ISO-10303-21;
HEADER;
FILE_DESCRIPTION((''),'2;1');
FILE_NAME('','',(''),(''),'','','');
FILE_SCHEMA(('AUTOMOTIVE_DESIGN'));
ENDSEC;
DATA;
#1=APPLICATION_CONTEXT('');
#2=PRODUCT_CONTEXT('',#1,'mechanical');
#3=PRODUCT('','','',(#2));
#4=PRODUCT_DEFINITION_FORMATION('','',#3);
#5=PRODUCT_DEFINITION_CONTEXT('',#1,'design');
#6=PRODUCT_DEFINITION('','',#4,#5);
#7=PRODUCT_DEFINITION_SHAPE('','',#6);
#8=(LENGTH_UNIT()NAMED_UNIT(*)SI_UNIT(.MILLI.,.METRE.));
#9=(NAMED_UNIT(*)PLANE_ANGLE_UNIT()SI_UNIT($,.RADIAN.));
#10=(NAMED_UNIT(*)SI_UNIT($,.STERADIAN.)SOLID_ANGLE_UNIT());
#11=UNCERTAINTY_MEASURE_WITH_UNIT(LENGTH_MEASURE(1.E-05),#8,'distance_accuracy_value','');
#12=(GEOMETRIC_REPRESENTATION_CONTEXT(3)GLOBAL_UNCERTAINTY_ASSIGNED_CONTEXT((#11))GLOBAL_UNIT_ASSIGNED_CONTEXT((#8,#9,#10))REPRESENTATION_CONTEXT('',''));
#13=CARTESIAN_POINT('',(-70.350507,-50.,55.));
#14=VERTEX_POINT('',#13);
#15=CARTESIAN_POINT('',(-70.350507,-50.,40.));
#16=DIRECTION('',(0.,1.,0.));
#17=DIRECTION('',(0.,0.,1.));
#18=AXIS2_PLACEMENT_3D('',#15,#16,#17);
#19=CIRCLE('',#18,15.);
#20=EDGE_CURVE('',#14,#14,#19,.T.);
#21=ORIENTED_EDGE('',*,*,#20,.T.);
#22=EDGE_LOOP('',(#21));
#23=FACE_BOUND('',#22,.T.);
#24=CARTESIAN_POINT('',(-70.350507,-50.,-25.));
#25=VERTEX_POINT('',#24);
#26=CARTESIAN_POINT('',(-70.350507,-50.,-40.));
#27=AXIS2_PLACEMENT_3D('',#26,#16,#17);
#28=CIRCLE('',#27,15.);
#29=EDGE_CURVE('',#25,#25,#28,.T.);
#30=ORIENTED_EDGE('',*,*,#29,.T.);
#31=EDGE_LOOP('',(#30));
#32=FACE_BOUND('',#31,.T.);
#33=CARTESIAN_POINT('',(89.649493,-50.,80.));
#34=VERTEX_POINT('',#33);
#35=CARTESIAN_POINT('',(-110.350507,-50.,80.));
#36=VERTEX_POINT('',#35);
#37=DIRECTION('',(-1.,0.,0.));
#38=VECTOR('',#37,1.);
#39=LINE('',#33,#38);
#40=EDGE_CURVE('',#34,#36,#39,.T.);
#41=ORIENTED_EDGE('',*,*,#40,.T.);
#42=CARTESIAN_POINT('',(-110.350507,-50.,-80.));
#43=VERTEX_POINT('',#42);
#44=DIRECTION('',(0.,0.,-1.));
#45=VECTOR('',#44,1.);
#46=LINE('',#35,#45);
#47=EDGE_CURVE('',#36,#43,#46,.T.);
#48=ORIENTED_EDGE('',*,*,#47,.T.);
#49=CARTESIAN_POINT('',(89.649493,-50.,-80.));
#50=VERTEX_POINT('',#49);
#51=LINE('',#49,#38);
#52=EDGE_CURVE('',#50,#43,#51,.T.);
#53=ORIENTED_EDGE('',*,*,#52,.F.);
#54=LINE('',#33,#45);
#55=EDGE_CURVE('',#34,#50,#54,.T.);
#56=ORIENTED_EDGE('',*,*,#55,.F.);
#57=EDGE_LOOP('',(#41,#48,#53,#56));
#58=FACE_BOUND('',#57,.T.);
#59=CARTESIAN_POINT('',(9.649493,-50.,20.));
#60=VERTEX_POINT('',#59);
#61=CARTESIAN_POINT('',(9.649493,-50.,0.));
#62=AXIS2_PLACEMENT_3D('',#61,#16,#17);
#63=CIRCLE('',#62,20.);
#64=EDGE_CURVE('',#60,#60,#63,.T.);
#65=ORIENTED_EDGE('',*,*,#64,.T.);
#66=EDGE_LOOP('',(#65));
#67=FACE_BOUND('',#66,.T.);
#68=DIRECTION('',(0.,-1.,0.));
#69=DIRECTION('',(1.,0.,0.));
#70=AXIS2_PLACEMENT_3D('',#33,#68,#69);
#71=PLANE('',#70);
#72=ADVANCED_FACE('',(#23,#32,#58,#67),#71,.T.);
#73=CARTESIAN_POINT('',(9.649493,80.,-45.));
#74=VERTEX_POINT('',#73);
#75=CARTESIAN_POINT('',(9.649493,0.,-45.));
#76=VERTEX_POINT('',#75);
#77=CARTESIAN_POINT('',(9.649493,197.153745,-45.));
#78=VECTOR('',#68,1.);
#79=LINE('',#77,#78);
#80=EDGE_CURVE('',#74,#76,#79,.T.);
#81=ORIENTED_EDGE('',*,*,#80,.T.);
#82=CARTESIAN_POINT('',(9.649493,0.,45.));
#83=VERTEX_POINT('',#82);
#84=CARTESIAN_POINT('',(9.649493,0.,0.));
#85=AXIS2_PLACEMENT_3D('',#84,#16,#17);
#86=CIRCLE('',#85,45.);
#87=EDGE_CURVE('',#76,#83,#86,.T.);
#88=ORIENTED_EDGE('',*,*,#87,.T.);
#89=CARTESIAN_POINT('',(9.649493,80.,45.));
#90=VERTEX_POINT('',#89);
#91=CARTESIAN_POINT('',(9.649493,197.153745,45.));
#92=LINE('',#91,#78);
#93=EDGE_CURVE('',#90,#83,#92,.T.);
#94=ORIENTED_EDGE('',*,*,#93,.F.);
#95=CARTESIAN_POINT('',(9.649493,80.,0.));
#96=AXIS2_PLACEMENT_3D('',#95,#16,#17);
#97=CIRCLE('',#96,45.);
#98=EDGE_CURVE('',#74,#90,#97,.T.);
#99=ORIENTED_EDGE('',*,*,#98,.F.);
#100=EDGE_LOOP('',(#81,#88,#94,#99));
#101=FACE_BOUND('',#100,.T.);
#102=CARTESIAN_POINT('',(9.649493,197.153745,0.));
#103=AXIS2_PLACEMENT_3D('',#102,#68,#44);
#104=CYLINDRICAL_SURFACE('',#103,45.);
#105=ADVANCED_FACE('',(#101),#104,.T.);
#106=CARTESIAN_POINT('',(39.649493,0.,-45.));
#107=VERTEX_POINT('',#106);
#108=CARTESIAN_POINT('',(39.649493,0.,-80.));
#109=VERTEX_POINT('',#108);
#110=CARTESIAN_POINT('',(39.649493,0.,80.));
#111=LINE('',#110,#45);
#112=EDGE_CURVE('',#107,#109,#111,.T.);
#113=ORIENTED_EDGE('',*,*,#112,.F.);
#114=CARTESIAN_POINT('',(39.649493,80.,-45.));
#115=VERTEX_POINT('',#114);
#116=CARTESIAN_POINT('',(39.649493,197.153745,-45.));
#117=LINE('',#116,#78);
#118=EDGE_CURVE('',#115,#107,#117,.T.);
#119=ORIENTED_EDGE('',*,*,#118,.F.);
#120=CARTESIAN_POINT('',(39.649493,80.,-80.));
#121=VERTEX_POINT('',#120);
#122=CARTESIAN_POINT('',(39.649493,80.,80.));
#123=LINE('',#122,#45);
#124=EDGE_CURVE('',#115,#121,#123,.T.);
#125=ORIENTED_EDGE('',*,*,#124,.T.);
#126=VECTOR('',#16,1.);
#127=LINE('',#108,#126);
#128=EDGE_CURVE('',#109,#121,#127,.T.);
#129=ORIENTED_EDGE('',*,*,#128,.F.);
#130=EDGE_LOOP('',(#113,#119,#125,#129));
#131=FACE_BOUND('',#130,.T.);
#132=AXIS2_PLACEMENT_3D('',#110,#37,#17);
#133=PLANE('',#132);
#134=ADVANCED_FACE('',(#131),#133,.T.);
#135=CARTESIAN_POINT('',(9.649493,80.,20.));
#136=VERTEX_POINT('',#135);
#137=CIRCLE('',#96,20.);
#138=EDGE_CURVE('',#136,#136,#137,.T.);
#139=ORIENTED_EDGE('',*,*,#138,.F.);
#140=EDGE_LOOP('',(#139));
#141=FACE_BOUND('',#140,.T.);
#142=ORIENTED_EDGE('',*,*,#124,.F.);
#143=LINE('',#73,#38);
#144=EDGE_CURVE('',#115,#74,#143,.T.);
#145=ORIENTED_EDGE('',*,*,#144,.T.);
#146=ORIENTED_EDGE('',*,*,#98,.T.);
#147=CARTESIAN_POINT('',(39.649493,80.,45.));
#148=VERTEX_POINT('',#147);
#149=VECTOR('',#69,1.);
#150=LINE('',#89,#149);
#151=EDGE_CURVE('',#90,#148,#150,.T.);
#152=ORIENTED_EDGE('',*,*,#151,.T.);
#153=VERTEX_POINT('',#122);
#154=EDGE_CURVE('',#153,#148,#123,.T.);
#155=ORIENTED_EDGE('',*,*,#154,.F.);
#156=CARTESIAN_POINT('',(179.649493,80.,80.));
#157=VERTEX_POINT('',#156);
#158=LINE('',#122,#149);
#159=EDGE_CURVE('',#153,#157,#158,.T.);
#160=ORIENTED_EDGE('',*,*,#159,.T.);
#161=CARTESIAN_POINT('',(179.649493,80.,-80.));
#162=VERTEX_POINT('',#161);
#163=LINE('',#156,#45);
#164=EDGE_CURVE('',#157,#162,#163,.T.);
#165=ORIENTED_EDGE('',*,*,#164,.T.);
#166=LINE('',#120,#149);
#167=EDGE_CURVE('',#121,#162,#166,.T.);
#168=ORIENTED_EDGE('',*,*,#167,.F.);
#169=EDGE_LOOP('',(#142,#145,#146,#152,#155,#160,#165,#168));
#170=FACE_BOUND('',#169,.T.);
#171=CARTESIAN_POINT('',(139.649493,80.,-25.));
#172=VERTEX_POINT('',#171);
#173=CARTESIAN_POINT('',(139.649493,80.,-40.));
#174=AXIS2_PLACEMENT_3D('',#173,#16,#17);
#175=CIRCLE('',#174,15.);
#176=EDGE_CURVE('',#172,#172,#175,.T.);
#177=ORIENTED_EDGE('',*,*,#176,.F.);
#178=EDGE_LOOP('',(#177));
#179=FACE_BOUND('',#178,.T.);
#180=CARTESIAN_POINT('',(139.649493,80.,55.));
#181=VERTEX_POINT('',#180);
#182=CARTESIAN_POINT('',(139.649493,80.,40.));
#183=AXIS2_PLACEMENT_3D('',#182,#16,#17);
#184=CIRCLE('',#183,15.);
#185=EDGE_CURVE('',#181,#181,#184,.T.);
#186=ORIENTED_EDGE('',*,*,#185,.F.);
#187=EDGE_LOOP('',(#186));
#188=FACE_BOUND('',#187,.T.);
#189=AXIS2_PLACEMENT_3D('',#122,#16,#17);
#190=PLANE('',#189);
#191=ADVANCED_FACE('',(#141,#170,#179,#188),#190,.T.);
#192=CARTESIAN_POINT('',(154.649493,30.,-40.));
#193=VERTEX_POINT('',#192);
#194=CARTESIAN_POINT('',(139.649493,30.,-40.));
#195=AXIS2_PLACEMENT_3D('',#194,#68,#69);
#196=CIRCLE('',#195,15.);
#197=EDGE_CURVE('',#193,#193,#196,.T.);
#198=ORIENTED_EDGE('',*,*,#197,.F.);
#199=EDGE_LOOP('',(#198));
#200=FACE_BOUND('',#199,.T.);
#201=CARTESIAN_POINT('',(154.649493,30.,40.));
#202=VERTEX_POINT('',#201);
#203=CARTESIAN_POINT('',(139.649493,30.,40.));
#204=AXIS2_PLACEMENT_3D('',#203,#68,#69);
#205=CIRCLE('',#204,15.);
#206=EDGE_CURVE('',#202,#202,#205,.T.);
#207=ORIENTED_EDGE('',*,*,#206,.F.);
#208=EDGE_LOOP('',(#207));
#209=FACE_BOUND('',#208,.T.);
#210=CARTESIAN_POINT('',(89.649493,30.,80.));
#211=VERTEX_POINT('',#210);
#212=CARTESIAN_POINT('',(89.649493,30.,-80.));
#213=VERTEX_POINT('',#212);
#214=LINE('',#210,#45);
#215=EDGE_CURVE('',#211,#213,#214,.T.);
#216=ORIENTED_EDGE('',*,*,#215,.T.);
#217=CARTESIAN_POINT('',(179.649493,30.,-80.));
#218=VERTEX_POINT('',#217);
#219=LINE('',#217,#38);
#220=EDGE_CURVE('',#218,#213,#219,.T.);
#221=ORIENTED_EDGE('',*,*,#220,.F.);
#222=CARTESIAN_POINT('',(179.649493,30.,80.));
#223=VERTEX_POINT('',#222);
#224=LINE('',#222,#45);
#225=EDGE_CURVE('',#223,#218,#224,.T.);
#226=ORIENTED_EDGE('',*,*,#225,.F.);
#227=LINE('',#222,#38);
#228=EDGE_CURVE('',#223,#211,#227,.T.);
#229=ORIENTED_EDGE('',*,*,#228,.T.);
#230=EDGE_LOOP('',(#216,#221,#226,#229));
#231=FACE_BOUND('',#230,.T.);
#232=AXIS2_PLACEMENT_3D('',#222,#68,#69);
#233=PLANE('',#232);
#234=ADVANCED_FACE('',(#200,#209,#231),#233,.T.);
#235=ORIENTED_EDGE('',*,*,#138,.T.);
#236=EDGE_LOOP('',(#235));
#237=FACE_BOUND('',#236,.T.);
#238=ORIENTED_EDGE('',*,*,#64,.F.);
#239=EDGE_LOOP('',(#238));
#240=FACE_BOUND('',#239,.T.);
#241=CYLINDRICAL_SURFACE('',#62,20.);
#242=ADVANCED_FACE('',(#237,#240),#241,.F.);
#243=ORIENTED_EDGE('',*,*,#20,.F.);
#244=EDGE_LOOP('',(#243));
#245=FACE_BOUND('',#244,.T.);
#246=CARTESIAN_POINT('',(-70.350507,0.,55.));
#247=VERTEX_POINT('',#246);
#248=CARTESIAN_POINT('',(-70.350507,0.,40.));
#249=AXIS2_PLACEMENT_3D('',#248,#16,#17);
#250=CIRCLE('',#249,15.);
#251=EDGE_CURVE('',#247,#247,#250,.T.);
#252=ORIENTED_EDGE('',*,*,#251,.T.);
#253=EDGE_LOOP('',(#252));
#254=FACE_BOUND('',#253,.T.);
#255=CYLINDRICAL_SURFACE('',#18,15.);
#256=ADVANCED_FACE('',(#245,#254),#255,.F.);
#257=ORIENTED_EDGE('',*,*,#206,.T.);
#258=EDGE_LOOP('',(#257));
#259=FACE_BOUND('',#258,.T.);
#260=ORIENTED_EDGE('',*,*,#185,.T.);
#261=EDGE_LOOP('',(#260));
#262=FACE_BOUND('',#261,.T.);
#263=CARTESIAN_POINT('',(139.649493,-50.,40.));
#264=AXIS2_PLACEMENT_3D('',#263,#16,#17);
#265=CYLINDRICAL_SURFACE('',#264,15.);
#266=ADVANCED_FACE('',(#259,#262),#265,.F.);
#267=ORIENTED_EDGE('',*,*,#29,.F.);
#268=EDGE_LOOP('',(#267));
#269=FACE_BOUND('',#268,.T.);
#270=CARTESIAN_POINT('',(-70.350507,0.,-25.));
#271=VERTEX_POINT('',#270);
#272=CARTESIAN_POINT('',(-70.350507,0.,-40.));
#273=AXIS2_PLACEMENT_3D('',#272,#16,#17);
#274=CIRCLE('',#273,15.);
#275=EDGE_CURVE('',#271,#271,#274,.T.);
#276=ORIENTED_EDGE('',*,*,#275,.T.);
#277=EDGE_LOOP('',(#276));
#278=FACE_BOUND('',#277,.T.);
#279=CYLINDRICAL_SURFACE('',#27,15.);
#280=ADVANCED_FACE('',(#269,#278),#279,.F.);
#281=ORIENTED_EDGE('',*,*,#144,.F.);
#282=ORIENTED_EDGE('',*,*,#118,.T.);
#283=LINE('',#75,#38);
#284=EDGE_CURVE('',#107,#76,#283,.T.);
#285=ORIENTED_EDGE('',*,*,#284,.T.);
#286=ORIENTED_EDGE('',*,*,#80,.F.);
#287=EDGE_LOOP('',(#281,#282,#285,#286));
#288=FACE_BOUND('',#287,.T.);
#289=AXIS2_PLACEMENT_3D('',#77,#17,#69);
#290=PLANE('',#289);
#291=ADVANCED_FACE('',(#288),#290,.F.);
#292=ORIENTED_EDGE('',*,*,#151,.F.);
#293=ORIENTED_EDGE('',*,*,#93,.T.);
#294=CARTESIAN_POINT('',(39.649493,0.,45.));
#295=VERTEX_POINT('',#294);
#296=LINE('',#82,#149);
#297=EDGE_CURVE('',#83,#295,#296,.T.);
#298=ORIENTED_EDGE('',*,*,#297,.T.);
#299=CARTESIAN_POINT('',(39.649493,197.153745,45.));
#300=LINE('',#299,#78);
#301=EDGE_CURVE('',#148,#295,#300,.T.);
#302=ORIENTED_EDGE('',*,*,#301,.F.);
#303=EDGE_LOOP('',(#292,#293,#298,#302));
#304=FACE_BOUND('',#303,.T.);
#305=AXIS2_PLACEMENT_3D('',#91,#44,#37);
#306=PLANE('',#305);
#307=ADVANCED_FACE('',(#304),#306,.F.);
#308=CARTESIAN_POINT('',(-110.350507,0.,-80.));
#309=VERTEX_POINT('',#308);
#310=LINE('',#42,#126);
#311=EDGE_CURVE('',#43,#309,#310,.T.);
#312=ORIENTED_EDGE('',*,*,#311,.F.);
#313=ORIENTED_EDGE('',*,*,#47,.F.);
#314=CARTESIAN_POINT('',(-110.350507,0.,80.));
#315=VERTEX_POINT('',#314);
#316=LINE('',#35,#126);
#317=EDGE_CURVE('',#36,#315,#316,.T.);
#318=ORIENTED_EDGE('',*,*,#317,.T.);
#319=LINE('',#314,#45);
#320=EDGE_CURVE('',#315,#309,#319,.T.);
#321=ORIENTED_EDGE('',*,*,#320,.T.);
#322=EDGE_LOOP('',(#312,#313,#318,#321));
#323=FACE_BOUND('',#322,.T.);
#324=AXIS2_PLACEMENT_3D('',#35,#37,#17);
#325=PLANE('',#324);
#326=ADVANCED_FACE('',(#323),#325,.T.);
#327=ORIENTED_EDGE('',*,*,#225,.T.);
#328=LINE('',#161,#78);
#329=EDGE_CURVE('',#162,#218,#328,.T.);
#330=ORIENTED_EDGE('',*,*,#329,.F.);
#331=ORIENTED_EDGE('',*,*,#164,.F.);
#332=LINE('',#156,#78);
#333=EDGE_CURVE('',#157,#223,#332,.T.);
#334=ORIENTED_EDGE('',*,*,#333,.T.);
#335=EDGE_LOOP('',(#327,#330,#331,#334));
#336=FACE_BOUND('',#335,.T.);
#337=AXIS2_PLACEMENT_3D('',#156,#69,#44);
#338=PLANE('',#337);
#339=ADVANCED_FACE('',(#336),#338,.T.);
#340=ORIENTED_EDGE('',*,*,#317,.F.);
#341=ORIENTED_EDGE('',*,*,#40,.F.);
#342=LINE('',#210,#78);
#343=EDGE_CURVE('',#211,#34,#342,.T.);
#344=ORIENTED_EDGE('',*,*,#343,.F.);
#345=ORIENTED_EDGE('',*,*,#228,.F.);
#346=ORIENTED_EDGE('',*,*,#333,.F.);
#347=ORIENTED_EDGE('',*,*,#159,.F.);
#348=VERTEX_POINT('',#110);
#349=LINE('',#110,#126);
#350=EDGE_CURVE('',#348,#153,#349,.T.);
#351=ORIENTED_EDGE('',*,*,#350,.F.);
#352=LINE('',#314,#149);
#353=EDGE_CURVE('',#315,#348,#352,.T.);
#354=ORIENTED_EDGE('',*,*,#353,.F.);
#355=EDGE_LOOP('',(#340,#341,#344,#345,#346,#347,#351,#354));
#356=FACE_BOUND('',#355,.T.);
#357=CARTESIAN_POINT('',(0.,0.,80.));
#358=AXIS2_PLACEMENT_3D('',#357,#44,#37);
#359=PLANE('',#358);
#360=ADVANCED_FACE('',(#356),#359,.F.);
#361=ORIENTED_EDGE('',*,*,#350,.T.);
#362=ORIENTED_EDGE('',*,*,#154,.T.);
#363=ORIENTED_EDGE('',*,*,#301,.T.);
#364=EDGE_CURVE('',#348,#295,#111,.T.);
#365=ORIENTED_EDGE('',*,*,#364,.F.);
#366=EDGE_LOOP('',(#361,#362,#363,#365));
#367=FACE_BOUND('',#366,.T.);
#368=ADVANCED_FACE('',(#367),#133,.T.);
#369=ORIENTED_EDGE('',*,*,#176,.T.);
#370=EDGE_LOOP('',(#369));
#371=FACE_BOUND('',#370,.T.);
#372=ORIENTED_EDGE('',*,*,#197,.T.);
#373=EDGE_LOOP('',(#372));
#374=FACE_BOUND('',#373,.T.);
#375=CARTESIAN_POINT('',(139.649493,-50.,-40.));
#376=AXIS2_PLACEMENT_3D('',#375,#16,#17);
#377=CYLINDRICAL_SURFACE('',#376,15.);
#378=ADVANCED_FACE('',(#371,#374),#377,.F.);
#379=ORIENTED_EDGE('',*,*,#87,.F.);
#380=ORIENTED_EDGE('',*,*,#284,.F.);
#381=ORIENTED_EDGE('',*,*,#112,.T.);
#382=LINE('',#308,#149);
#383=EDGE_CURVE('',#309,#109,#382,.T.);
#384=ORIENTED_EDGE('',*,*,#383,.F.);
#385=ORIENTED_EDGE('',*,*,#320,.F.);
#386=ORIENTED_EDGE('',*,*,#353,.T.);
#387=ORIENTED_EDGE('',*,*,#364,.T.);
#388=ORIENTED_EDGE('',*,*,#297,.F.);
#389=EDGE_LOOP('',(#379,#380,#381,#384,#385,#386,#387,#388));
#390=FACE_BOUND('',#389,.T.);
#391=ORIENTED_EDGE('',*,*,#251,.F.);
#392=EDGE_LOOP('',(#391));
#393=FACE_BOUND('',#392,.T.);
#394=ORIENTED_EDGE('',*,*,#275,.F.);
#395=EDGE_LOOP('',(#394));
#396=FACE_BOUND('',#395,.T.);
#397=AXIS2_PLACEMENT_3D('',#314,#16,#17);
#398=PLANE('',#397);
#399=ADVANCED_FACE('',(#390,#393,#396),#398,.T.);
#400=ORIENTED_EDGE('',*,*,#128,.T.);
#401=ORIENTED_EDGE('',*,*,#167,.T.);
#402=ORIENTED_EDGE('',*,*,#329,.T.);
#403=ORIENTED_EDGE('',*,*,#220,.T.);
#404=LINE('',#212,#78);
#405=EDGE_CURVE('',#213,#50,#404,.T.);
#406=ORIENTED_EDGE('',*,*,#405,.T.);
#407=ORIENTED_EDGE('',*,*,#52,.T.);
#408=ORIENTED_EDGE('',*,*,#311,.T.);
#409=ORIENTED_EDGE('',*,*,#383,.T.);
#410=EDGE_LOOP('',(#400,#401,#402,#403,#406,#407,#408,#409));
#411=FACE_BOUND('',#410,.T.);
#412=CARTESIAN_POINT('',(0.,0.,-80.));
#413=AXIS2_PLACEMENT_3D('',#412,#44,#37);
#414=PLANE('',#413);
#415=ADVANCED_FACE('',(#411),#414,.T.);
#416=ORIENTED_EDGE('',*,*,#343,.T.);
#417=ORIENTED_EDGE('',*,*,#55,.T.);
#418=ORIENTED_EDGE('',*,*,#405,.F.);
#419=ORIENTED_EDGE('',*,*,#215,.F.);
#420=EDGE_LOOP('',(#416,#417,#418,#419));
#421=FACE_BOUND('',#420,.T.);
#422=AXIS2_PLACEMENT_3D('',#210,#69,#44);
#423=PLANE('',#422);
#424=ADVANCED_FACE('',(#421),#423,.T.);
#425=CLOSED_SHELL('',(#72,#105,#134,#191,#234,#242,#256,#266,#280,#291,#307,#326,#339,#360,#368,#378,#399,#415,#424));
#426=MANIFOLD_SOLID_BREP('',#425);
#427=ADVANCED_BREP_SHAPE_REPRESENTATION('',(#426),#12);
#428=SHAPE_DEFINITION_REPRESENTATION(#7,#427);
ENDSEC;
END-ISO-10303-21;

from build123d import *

# Parameters (mm, degrees)
RESSALTO_EXTRUS_O1_DEPTH = 80
RESSALTO_EXTRUS_O2_DEPTH = 80
ESBO_O3_R                = 15
ESBO_O3_R_2              = 20
CORTE_EXTRUS_O2_DEPTH    = 131


with BuildPart() as part:
    # Esboço1 → Ressalto-extrusão1 (new body, symmetric)
    with BuildSketch(Plane.XY):
        Polygon((-110.350506682, 0), (39.649493318, 0), (39.649493318, 80), (179.649493318, 80), (179.649493318, 30), (89.649493318, 30), (89.649493318, -50), (-110.350506682, -50), align=None)
    extrude(amount=RESSALTO_EXTRUS_O1_DEPTH, both=True)

    # Esboço2 → Ressalto-extrusão2 (add)
    with BuildSketch(Plane(origin=(0, 0, 0), x_dir=(1, 0, 0), z_dir=(0, 1, 0))):
        with BuildLine():
            Line((9.649493318, 45), (39.649493318, 45))
            Line((39.649493318, 45), (39.649493318, -45))
            Line((39.649493318, -45), (9.649493318, -45))
            ThreePointArc((9.649493318, -45), (-35.350506682, 0), (9.649493318, 45))
        make_face()
    extrude(amount=RESSALTO_EXTRUS_O2_DEPTH)

    # Esboço3 → Corte-extrusão2 (cut, through all)
    with BuildSketch(Plane(origin=(0, 80, 0), x_dir=(1, 0, 0), z_dir=(0, 1, 0))):
        with Locations((-70.350506682, 40)):
            Circle(ESBO_O3_R)
        with Locations((139.649493318, 40)):
            Circle(ESBO_O3_R)
        with Locations((139.649493318, -40)):
            Circle(ESBO_O3_R)
        with Locations((-70.350506682, -40)):
            Circle(ESBO_O3_R)
        with Locations((9.649493318, 0)):
            Circle(ESBO_O3_R_2)
    extrude(amount=-CORTE_EXTRUS_O2_DEPTH, mode=Mode.SUBTRACT)


solid = part.part
